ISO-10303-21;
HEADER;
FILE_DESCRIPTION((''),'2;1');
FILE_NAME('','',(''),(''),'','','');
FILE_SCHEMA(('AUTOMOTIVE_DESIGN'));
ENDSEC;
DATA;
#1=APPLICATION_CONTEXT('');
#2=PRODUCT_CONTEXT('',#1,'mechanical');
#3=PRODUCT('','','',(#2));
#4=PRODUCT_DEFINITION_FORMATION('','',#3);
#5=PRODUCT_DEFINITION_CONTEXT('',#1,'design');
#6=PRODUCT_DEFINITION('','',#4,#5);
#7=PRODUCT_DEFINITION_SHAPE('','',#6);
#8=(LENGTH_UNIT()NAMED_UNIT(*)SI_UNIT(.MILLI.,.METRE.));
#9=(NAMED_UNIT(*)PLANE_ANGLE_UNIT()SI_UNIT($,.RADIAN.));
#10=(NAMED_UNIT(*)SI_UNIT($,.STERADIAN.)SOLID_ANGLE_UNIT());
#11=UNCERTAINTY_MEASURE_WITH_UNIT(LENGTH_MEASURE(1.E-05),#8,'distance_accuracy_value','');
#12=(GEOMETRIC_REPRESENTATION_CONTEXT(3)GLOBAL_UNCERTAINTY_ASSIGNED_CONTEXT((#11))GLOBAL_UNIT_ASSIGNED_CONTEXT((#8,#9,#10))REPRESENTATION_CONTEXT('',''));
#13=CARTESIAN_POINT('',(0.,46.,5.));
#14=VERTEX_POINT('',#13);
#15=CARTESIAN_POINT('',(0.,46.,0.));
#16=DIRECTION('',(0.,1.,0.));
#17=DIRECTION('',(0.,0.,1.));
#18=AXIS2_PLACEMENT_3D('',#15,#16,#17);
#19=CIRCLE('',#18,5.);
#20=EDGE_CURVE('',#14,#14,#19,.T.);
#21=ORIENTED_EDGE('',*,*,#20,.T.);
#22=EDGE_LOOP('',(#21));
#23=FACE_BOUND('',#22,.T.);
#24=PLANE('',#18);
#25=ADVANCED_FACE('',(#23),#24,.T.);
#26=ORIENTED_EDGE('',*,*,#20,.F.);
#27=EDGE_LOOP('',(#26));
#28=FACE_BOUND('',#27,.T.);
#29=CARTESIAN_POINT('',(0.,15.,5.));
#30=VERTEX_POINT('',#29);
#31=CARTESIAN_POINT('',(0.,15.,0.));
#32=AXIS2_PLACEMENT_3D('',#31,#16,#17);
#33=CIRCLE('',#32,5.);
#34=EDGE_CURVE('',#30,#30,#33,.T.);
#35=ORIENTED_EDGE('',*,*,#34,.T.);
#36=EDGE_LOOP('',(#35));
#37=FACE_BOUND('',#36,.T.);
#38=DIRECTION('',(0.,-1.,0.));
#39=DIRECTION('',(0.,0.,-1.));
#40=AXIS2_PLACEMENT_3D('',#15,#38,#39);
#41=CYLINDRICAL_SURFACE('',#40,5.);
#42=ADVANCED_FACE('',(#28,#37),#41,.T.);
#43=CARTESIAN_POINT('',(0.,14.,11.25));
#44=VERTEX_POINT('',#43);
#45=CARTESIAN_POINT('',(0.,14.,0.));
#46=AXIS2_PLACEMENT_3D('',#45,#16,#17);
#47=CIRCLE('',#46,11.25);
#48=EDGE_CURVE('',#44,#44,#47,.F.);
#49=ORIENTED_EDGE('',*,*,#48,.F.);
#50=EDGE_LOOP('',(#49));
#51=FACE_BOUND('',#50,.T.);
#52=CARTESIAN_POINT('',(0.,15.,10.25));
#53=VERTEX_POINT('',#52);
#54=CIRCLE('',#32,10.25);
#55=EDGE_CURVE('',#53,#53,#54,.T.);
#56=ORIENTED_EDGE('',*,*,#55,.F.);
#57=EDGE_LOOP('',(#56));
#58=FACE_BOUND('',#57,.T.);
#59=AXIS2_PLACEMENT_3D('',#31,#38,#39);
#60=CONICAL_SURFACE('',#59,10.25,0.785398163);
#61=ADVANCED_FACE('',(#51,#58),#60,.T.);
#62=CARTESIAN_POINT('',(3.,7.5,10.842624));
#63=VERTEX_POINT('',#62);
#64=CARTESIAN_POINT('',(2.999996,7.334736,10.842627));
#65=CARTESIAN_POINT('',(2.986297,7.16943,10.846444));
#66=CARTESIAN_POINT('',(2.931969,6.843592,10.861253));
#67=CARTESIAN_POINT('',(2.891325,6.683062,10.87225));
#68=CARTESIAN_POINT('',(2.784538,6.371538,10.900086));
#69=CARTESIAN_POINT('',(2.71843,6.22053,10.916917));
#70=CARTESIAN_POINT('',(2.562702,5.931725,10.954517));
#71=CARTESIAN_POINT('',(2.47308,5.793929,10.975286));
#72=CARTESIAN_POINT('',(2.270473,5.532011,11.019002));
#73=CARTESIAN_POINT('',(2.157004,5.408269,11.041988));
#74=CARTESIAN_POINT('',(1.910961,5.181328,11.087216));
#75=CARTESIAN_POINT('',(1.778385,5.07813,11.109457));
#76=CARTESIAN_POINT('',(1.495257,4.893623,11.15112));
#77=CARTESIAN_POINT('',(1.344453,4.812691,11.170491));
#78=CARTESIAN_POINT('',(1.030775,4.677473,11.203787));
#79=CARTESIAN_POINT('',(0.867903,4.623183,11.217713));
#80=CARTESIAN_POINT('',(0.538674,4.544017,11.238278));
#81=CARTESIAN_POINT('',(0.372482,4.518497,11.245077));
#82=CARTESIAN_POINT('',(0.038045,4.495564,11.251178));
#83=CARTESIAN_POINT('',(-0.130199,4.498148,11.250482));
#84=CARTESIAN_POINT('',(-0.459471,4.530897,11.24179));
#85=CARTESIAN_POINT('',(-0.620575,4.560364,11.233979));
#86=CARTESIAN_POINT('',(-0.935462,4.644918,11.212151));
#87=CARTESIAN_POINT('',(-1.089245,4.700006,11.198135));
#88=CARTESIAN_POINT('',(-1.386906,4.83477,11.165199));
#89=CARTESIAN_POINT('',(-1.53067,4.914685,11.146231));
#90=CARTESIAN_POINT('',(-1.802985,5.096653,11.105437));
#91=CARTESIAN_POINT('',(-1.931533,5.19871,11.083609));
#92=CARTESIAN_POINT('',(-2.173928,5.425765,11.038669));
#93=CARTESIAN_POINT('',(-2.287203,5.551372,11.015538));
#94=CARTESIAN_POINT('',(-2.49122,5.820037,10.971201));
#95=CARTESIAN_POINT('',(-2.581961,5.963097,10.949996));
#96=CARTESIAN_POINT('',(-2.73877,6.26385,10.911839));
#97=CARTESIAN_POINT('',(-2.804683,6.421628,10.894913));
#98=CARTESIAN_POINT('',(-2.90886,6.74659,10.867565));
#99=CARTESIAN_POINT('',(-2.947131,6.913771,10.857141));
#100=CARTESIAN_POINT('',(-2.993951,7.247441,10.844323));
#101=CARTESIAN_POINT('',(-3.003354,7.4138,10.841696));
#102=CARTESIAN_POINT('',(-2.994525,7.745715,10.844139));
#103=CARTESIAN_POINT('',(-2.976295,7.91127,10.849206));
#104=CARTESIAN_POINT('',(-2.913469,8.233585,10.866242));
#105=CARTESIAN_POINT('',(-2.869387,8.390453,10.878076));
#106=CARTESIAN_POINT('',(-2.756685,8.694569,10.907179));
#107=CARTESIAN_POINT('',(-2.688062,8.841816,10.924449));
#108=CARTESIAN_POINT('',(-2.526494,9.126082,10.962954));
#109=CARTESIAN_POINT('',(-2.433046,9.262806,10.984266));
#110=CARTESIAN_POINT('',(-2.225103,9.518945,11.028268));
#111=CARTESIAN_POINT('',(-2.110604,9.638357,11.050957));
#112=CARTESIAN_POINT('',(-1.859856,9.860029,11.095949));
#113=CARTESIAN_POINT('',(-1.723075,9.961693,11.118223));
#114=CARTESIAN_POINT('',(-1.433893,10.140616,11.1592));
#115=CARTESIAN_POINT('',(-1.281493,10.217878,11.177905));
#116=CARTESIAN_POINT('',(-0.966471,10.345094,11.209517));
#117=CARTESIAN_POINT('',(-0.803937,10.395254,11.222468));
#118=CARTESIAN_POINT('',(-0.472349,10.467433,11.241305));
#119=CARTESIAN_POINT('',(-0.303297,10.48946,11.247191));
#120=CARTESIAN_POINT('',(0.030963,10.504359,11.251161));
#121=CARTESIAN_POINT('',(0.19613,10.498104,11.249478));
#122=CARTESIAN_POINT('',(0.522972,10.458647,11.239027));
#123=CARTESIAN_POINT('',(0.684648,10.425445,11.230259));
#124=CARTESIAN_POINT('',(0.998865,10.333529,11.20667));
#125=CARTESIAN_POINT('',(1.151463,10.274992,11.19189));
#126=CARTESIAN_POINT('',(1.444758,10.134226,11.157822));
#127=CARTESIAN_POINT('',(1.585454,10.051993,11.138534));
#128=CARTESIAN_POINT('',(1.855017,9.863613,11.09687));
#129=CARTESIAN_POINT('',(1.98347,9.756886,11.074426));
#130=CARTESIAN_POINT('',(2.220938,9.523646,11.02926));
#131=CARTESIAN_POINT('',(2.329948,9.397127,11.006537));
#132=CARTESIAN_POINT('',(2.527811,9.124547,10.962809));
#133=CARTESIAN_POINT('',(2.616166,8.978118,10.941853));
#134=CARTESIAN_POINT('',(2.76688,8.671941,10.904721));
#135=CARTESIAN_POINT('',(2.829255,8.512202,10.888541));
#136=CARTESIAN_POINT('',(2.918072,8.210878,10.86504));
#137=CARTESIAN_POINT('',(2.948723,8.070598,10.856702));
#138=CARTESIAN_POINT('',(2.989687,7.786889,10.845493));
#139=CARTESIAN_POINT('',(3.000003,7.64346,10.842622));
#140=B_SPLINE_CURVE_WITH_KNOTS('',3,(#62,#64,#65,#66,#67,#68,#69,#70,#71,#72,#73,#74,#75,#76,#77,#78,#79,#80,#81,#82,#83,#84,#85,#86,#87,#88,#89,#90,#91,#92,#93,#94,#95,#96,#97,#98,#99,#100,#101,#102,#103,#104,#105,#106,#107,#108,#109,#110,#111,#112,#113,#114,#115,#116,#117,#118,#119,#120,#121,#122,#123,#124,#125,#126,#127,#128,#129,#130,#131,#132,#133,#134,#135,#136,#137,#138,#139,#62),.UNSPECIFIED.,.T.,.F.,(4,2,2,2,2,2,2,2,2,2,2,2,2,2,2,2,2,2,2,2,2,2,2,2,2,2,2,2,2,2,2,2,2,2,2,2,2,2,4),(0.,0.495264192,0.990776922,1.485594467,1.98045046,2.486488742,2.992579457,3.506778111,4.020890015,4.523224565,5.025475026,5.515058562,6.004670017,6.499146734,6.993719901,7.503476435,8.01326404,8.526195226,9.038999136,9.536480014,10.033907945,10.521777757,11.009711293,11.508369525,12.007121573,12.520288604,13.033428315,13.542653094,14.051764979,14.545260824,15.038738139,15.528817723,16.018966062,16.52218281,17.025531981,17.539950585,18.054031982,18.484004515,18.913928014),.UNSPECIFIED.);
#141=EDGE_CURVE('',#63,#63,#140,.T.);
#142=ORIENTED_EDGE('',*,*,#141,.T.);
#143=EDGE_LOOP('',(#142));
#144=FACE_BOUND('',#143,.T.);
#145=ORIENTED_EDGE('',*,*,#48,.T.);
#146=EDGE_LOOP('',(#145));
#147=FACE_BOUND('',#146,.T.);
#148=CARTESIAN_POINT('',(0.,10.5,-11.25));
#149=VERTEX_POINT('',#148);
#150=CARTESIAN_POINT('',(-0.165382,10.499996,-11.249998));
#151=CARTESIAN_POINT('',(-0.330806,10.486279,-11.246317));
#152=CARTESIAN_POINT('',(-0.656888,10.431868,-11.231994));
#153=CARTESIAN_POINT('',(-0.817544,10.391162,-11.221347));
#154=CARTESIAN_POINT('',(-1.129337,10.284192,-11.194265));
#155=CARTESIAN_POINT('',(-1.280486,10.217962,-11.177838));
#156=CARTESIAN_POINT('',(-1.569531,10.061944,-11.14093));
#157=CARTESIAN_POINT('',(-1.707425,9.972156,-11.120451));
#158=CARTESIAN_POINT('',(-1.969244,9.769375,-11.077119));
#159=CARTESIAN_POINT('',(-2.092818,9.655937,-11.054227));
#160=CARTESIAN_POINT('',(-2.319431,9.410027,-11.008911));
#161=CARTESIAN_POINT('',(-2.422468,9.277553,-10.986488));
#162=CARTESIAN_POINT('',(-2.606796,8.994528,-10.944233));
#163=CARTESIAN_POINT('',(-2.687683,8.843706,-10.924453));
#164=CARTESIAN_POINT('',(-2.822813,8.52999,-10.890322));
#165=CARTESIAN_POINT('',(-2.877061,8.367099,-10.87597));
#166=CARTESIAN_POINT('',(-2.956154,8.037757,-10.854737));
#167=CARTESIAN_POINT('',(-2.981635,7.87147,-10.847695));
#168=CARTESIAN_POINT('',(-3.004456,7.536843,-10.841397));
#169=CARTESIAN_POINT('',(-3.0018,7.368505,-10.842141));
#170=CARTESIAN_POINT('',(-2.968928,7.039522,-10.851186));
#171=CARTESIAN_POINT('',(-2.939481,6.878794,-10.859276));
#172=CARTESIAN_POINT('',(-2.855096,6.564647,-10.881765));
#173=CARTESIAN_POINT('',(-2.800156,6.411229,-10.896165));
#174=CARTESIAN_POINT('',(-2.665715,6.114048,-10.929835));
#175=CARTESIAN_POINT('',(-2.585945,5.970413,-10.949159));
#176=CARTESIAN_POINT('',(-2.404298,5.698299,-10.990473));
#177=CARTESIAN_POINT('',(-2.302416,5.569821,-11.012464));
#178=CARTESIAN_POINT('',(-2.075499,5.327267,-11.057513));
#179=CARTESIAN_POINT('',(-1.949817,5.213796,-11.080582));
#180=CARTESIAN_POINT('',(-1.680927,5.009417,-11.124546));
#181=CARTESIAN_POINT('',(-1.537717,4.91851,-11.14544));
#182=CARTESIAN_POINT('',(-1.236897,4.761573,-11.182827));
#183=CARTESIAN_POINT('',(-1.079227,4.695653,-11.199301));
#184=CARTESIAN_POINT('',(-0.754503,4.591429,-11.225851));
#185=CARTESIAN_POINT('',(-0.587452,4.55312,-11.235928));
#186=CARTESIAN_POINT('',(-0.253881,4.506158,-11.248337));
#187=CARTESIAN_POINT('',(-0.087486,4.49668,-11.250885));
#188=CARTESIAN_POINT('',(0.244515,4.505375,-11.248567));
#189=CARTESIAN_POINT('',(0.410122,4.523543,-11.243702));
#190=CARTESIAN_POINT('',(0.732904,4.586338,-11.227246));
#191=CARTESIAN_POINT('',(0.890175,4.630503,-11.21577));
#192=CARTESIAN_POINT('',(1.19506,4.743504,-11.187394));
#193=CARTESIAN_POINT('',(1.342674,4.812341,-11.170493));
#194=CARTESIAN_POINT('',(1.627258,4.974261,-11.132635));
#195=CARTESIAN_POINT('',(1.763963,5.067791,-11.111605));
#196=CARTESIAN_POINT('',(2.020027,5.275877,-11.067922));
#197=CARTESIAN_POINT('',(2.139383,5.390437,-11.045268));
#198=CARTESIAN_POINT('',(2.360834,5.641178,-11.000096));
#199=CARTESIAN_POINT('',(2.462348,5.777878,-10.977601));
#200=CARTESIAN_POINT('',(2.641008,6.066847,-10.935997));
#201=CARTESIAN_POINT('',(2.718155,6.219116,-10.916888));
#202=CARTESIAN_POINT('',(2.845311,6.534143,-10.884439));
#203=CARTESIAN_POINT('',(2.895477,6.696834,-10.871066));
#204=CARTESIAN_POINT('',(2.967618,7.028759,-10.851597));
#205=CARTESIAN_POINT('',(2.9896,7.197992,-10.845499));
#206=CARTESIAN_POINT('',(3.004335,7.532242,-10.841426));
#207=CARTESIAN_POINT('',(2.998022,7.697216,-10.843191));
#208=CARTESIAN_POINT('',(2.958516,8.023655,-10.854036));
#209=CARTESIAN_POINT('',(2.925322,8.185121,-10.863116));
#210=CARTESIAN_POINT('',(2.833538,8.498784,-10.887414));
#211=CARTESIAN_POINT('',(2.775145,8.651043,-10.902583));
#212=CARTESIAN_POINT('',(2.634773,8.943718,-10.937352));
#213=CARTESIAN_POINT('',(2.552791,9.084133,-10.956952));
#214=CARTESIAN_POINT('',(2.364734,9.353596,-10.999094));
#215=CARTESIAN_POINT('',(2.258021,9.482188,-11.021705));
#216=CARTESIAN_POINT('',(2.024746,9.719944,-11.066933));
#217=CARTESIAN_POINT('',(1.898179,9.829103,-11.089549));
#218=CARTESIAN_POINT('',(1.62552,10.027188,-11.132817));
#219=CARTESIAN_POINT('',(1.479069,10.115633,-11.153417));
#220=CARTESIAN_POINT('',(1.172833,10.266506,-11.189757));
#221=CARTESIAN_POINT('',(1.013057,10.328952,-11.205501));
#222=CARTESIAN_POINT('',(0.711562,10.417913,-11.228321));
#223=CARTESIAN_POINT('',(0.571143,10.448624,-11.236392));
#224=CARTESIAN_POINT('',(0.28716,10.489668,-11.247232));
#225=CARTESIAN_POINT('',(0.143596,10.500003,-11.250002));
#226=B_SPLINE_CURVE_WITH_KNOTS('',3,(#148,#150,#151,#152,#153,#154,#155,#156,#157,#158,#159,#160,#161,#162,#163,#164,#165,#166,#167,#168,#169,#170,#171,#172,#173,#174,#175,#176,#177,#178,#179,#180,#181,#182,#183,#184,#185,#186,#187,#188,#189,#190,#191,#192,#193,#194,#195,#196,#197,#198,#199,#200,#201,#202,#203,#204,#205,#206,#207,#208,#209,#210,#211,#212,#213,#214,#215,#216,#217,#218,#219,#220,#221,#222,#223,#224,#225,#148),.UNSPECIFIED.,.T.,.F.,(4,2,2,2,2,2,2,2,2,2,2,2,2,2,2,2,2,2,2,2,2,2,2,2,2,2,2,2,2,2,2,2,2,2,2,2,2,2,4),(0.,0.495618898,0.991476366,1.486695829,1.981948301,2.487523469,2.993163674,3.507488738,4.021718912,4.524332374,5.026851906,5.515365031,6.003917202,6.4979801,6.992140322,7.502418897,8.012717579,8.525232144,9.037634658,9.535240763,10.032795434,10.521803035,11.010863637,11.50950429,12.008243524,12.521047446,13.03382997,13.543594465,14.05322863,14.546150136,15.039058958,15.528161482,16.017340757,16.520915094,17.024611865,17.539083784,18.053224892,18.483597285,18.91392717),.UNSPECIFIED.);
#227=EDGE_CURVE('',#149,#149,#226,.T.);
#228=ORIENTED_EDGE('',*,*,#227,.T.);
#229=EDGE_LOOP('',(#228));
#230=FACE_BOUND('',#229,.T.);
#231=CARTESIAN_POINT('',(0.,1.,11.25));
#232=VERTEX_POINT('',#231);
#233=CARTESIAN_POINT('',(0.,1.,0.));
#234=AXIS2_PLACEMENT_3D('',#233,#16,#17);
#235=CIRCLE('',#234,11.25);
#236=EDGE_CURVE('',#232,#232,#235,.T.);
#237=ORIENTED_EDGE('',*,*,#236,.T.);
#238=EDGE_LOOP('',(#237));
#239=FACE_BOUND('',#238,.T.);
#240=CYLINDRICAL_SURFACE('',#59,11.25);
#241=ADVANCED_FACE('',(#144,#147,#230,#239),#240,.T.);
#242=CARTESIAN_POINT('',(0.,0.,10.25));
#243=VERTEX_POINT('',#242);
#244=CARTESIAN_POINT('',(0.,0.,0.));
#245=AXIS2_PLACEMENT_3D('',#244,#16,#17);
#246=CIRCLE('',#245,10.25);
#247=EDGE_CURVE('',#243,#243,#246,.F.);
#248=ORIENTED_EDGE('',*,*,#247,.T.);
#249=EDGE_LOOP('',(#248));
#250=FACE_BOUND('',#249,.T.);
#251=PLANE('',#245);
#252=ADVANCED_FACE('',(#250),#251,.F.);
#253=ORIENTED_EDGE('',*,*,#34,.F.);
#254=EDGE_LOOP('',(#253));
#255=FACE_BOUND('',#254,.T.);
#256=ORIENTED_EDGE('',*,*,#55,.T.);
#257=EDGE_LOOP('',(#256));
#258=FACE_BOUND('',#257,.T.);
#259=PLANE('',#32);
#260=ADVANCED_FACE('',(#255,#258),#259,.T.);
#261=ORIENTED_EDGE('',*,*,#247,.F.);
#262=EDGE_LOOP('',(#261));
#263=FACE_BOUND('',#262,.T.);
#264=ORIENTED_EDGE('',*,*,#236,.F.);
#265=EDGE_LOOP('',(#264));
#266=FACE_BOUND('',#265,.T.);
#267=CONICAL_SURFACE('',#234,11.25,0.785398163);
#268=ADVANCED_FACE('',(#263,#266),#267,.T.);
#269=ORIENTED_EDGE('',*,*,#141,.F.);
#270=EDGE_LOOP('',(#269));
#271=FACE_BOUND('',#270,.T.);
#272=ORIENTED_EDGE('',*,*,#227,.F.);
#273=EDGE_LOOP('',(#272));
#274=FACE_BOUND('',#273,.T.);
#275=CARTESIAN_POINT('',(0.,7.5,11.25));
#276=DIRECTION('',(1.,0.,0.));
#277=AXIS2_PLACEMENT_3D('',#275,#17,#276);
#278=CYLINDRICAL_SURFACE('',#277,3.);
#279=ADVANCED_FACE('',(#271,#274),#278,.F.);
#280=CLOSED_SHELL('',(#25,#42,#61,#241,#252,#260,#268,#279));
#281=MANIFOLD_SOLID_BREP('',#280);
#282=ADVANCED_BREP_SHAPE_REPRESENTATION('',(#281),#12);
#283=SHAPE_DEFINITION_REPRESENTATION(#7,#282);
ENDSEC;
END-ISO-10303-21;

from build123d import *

# Parameters (mm, degrees)
SKETCH_1_R      = 11.25
EXTRUDE_1_DEPTH = 15
SKETCH_2_R      = 5
EXTRUDE_2_DEPTH = 31
CHAMFER_1_SIZE  = 1
F_6_0MM_2_D     = 6


with BuildPart() as part:
    # 草图1 → 凸台-拉伸1 (new body)
    with BuildSketch(Plane(origin=(0, 0, 0), x_dir=(1, 0, 0), z_dir=(0, 1, 0))):
        with Locations(Location((0, 0, 0), (0, 0, 270))):
            Circle(SKETCH_1_R)
    extrude(amount=EXTRUDE_1_DEPTH)

    # 草图2 → 凸台-拉伸2 (add)
    with BuildSketch(Plane(origin=(0, 15, 0), x_dir=(1, 0, 0), z_dir=(0, 1, 0))):
        with Locations(Location((0, 0, 0), (0, 0, 270))):
            Circle(SKETCH_2_R)
    extrude(amount=EXTRUDE_2_DEPTH)

    # 倒角1
    chamfer_1_edges = [part.edges().sort_by_distance(p)[0] for p in [
        (0, 0, -11.25),
        (0, 15, -11.25),
    ]]
    chamfer(chamfer_1_edges, length=CHAMFER_1_SIZE)

    # Ø6.0mm 暗销孔2 (through all)
    with Locations(Plane(origin=(0, 7.5, 11.25), x_dir=(1, 0, 0), z_dir=(0, 0, 1))):
        with Locations((0, 0)):
            Hole(F_6_0MM_2_D / 2)


solid = part.part
